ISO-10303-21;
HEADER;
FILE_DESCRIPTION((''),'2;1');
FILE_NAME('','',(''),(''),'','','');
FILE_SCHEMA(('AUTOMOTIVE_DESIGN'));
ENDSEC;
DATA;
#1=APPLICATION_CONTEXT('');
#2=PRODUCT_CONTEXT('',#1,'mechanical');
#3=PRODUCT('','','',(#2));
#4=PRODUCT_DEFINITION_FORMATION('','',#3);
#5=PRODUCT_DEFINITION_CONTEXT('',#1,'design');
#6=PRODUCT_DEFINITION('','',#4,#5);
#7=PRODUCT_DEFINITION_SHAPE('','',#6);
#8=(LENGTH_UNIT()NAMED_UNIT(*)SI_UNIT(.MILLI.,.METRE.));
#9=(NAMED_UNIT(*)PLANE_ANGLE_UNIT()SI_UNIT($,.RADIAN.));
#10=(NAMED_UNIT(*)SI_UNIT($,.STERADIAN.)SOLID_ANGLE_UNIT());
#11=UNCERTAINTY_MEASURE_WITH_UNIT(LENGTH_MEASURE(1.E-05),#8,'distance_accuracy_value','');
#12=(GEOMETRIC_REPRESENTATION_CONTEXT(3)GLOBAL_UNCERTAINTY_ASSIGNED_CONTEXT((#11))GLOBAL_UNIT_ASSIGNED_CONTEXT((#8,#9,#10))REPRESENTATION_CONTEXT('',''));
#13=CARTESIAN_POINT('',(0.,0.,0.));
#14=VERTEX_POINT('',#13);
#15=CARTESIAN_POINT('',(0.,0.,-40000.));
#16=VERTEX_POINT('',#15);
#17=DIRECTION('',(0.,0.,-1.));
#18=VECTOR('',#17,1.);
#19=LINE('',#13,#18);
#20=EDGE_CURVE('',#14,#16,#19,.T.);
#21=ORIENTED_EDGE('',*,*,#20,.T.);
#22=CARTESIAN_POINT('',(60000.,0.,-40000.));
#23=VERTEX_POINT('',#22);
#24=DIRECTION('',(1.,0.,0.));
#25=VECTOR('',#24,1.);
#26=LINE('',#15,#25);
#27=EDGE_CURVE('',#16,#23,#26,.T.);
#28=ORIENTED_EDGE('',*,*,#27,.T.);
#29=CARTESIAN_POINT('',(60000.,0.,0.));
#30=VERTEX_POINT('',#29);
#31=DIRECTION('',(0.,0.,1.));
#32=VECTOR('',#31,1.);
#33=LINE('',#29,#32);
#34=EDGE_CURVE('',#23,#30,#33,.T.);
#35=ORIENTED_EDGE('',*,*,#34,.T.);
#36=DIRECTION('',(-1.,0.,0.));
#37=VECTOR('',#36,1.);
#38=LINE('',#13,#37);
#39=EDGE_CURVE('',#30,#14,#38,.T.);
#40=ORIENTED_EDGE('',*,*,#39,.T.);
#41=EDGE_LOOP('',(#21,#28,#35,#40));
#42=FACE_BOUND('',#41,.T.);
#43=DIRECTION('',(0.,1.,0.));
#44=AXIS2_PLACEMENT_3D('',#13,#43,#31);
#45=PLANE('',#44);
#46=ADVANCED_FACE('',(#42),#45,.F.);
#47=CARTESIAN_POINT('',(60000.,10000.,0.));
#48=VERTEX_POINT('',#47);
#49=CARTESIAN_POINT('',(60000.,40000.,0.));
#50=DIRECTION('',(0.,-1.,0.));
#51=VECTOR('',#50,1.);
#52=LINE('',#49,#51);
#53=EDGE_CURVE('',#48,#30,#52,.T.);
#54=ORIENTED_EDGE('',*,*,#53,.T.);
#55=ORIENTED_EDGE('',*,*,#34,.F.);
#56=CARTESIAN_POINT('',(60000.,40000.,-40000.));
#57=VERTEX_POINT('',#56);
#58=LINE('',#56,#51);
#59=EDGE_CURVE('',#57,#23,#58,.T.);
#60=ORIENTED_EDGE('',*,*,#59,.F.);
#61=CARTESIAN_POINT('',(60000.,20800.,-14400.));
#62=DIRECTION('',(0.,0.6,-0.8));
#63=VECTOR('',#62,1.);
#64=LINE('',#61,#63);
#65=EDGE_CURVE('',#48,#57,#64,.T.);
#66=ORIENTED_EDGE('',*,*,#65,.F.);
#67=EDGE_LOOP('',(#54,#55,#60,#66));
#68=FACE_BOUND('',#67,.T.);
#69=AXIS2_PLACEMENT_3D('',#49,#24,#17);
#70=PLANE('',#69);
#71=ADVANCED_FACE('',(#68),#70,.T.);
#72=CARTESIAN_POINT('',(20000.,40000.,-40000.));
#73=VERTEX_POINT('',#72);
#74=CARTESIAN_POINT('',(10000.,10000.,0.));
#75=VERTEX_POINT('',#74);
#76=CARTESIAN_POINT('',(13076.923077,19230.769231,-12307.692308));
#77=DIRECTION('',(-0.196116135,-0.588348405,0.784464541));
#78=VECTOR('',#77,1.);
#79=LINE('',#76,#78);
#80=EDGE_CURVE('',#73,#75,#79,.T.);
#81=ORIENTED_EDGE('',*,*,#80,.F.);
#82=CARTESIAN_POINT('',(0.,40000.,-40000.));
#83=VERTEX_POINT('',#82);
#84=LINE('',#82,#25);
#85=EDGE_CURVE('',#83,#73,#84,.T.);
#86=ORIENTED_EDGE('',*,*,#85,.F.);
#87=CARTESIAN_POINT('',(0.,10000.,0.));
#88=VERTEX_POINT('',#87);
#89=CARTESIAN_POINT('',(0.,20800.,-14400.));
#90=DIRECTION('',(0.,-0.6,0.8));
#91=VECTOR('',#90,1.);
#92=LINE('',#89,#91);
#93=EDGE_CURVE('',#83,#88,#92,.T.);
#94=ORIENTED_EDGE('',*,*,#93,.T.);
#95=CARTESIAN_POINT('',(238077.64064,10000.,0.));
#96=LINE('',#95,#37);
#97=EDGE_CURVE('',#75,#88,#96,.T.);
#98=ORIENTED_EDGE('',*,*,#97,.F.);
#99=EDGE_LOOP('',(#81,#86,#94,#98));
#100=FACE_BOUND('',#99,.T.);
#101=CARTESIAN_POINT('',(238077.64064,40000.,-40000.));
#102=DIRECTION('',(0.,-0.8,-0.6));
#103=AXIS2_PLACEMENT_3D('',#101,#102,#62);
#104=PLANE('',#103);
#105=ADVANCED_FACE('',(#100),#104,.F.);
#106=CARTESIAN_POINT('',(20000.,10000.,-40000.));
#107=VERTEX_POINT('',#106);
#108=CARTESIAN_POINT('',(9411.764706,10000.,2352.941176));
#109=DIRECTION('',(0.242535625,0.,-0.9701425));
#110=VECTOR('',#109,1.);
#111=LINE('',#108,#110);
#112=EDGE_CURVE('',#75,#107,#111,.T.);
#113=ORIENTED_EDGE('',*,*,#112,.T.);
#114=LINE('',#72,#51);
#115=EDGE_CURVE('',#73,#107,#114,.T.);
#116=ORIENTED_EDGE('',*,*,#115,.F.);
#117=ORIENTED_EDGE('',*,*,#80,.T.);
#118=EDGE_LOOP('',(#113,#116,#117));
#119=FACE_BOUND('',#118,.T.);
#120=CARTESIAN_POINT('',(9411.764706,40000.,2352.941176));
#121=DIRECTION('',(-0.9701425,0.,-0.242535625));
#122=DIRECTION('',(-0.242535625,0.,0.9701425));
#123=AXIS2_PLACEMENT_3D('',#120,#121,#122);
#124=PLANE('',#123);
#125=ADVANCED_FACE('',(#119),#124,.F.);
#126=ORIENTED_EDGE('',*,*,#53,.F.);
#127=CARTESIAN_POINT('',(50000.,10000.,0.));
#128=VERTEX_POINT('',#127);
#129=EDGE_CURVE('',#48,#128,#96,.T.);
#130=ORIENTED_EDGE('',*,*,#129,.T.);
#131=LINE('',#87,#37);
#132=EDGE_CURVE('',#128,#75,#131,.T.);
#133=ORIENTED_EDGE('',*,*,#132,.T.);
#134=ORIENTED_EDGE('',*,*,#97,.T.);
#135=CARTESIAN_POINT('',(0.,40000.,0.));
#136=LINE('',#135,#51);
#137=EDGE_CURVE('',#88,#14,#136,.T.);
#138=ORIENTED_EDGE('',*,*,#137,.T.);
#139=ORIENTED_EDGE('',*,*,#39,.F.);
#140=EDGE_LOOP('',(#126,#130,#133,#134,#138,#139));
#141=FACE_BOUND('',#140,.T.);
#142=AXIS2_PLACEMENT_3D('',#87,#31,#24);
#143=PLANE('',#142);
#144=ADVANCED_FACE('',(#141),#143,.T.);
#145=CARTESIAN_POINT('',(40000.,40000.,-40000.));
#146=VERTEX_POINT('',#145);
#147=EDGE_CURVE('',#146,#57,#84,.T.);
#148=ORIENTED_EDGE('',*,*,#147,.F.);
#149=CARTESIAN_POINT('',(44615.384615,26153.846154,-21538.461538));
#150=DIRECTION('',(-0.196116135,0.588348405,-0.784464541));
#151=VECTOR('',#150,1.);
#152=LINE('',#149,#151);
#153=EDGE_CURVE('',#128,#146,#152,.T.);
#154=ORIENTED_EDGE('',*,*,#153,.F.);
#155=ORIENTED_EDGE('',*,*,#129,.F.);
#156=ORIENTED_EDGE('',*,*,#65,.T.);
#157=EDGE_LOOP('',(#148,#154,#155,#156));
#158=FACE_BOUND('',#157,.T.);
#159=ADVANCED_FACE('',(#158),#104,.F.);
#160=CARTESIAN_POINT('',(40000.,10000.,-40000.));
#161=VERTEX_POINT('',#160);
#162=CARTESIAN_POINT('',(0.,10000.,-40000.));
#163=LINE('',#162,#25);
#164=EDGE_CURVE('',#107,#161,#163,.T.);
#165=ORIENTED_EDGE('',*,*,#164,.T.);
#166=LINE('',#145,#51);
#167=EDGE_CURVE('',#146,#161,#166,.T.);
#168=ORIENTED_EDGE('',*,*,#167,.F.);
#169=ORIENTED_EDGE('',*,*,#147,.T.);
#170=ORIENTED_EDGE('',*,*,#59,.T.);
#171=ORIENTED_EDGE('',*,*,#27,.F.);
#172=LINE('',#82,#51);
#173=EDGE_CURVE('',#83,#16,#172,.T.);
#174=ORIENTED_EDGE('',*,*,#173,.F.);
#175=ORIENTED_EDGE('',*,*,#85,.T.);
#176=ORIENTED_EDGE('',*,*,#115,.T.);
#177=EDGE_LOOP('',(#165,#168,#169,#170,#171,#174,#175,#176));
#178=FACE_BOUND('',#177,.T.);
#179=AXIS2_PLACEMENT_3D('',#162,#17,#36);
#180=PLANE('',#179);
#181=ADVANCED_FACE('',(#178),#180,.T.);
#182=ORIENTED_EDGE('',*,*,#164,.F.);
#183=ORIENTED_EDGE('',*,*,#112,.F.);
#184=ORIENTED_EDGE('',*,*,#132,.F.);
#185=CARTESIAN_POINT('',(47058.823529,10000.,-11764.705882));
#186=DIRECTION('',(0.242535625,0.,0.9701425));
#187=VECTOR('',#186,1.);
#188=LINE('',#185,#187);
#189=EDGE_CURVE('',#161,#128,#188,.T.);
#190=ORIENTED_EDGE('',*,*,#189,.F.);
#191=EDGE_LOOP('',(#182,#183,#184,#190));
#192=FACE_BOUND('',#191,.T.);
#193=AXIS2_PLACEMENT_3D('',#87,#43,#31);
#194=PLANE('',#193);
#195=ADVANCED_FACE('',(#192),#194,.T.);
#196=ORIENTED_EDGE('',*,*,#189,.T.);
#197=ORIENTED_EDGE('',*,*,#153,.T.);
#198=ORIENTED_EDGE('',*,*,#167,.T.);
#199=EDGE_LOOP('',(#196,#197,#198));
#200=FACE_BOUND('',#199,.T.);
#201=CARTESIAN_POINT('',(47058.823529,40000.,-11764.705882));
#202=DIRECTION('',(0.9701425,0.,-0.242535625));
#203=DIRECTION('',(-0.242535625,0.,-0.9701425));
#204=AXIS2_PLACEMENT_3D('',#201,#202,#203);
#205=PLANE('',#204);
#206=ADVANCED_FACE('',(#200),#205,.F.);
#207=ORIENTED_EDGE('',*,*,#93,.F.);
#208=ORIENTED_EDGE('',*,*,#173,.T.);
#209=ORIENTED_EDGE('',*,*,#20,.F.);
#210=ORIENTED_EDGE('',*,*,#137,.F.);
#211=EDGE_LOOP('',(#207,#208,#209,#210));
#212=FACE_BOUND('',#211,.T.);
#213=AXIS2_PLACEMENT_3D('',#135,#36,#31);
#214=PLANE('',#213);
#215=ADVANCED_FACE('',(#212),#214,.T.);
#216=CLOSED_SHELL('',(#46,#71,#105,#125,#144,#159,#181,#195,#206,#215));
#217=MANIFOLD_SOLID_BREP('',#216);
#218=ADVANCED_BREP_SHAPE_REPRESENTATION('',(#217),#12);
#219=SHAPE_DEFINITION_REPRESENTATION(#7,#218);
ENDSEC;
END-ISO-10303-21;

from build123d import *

# Parameters (mm, degrees)
BOSS_EXTRUDE1_DEPTH     = 10000
BOSS_EXTRUDE2_DEPTH     = 40000
CUT_EXTRUDE1_DEPTH      = 1
CUT_EXTRUDE1_DEPTH_BACK = 60001


with BuildPart() as part:
    # Sketch1 → Boss-Extrude1 (new body)
    with BuildSketch(Plane(origin=(0, 0, 0), x_dir=(1, 0, 0), z_dir=(0, 1, 0))):
        Polygon((20000, 40000), (10000, 0), (50000, 0), (40000, 40000), align=None)
    extrude(amount=BOSS_EXTRUDE1_DEPTH)

    # Sketch1<3> → Boss-Extrude2 (add)
    with BuildSketch(Plane(origin=(0, 0, 0), x_dir=(1, 0, 0), z_dir=(0, 1, 0))):
        Polygon((40000, 40000), (50000, 0), (60000, 0), (60000, 40000), align=None)
        Polygon((0, 40000), (0, 0), (10000, 0), (20000, 40000), align=None)
    extrude(amount=BOSS_EXTRUDE2_DEPTH)

    # Sketch3 → Cut-Extrude1 (cut, two sides)
    with BuildSketch(Plane(origin=(60000, 0, 0), x_dir=(0, 0, -1), z_dir=(1, 0, 0))) as cut_extrude1_sk:
        Polygon((130517.667991878, 107888.250993909), (40000, 40000), (0, 10000), (-90517.667991878, -57888.250993909), (-226294.169979695, 123147.084989848), (-5258.833995939, 288923.586977665), align=None)
    extrude(amount=CUT_EXTRUDE1_DEPTH, mode=Mode.SUBTRACT)
    extrude(cut_extrude1_sk.sketch, amount=-CUT_EXTRUDE1_DEPTH_BACK, mode=Mode.SUBTRACT)


solid = part.part
